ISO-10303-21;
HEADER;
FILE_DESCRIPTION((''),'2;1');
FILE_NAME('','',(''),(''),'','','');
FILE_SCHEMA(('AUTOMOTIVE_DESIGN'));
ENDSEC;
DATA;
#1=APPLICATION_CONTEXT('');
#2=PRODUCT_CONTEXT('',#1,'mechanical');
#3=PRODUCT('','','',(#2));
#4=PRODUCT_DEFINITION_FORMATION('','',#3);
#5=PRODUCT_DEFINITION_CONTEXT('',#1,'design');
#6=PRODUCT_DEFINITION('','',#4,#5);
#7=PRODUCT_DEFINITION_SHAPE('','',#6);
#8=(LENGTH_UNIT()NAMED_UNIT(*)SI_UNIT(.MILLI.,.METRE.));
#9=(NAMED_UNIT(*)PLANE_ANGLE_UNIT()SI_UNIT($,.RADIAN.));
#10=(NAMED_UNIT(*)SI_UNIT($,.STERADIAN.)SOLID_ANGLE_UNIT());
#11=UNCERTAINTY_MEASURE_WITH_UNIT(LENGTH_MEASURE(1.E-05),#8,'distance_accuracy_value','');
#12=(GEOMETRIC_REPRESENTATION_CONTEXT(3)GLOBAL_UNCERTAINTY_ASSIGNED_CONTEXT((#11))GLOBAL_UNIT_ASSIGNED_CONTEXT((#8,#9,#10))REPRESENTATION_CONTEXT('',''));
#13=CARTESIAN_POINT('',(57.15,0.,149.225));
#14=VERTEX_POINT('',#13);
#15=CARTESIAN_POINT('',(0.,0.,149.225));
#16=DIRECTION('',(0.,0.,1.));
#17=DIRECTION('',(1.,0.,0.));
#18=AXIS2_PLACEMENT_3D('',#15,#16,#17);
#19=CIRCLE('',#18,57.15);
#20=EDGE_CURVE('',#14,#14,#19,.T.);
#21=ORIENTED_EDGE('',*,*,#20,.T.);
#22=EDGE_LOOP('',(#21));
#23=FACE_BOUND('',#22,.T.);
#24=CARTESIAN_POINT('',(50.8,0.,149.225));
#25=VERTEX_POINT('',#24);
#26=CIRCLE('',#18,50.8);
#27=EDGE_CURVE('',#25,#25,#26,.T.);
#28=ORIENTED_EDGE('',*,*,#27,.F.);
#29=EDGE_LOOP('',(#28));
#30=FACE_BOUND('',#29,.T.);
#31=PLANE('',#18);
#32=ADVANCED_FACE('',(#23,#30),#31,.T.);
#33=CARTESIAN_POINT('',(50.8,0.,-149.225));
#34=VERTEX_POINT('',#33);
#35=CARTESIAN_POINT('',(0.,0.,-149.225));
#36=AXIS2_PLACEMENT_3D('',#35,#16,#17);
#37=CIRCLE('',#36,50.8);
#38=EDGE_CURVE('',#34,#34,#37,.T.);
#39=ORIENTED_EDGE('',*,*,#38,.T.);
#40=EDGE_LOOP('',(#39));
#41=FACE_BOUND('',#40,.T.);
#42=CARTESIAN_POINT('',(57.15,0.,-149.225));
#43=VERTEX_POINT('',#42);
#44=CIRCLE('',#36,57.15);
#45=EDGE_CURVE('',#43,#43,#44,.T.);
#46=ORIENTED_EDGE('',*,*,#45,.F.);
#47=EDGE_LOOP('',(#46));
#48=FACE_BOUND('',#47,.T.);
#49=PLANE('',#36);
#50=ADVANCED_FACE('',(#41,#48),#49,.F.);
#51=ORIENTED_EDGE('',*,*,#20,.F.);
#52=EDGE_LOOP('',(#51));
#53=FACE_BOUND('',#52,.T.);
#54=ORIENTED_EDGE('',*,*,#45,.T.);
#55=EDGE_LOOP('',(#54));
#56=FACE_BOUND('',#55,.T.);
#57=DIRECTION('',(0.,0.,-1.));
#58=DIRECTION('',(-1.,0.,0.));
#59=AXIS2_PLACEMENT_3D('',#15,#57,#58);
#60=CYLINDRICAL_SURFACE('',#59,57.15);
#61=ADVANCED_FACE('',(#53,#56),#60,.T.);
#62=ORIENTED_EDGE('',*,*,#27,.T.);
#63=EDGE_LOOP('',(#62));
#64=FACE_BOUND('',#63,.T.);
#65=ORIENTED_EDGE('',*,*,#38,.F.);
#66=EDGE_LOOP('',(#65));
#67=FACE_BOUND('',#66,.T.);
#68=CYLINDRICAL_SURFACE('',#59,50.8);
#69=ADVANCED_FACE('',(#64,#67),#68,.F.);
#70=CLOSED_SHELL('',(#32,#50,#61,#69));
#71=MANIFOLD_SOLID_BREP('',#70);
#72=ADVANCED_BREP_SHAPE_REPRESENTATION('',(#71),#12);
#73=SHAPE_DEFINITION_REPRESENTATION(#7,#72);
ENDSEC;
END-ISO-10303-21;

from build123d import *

# Parameters (mm, degrees)
SKETCH1_R           = 57.15
SKETCH1_R_2         = 50.8
BOSS_EXTRUDE1_DEPTH = 149.225


with BuildPart() as part:
    # Sketch1 → Boss-Extrude1 (new body, symmetric)
    with BuildSketch(Plane.XY):
        Circle(SKETCH1_R)
        Circle(SKETCH1_R_2, mode=Mode.SUBTRACT)
    extrude(amount=BOSS_EXTRUDE1_DEPTH, both=True)


solid = part.part
